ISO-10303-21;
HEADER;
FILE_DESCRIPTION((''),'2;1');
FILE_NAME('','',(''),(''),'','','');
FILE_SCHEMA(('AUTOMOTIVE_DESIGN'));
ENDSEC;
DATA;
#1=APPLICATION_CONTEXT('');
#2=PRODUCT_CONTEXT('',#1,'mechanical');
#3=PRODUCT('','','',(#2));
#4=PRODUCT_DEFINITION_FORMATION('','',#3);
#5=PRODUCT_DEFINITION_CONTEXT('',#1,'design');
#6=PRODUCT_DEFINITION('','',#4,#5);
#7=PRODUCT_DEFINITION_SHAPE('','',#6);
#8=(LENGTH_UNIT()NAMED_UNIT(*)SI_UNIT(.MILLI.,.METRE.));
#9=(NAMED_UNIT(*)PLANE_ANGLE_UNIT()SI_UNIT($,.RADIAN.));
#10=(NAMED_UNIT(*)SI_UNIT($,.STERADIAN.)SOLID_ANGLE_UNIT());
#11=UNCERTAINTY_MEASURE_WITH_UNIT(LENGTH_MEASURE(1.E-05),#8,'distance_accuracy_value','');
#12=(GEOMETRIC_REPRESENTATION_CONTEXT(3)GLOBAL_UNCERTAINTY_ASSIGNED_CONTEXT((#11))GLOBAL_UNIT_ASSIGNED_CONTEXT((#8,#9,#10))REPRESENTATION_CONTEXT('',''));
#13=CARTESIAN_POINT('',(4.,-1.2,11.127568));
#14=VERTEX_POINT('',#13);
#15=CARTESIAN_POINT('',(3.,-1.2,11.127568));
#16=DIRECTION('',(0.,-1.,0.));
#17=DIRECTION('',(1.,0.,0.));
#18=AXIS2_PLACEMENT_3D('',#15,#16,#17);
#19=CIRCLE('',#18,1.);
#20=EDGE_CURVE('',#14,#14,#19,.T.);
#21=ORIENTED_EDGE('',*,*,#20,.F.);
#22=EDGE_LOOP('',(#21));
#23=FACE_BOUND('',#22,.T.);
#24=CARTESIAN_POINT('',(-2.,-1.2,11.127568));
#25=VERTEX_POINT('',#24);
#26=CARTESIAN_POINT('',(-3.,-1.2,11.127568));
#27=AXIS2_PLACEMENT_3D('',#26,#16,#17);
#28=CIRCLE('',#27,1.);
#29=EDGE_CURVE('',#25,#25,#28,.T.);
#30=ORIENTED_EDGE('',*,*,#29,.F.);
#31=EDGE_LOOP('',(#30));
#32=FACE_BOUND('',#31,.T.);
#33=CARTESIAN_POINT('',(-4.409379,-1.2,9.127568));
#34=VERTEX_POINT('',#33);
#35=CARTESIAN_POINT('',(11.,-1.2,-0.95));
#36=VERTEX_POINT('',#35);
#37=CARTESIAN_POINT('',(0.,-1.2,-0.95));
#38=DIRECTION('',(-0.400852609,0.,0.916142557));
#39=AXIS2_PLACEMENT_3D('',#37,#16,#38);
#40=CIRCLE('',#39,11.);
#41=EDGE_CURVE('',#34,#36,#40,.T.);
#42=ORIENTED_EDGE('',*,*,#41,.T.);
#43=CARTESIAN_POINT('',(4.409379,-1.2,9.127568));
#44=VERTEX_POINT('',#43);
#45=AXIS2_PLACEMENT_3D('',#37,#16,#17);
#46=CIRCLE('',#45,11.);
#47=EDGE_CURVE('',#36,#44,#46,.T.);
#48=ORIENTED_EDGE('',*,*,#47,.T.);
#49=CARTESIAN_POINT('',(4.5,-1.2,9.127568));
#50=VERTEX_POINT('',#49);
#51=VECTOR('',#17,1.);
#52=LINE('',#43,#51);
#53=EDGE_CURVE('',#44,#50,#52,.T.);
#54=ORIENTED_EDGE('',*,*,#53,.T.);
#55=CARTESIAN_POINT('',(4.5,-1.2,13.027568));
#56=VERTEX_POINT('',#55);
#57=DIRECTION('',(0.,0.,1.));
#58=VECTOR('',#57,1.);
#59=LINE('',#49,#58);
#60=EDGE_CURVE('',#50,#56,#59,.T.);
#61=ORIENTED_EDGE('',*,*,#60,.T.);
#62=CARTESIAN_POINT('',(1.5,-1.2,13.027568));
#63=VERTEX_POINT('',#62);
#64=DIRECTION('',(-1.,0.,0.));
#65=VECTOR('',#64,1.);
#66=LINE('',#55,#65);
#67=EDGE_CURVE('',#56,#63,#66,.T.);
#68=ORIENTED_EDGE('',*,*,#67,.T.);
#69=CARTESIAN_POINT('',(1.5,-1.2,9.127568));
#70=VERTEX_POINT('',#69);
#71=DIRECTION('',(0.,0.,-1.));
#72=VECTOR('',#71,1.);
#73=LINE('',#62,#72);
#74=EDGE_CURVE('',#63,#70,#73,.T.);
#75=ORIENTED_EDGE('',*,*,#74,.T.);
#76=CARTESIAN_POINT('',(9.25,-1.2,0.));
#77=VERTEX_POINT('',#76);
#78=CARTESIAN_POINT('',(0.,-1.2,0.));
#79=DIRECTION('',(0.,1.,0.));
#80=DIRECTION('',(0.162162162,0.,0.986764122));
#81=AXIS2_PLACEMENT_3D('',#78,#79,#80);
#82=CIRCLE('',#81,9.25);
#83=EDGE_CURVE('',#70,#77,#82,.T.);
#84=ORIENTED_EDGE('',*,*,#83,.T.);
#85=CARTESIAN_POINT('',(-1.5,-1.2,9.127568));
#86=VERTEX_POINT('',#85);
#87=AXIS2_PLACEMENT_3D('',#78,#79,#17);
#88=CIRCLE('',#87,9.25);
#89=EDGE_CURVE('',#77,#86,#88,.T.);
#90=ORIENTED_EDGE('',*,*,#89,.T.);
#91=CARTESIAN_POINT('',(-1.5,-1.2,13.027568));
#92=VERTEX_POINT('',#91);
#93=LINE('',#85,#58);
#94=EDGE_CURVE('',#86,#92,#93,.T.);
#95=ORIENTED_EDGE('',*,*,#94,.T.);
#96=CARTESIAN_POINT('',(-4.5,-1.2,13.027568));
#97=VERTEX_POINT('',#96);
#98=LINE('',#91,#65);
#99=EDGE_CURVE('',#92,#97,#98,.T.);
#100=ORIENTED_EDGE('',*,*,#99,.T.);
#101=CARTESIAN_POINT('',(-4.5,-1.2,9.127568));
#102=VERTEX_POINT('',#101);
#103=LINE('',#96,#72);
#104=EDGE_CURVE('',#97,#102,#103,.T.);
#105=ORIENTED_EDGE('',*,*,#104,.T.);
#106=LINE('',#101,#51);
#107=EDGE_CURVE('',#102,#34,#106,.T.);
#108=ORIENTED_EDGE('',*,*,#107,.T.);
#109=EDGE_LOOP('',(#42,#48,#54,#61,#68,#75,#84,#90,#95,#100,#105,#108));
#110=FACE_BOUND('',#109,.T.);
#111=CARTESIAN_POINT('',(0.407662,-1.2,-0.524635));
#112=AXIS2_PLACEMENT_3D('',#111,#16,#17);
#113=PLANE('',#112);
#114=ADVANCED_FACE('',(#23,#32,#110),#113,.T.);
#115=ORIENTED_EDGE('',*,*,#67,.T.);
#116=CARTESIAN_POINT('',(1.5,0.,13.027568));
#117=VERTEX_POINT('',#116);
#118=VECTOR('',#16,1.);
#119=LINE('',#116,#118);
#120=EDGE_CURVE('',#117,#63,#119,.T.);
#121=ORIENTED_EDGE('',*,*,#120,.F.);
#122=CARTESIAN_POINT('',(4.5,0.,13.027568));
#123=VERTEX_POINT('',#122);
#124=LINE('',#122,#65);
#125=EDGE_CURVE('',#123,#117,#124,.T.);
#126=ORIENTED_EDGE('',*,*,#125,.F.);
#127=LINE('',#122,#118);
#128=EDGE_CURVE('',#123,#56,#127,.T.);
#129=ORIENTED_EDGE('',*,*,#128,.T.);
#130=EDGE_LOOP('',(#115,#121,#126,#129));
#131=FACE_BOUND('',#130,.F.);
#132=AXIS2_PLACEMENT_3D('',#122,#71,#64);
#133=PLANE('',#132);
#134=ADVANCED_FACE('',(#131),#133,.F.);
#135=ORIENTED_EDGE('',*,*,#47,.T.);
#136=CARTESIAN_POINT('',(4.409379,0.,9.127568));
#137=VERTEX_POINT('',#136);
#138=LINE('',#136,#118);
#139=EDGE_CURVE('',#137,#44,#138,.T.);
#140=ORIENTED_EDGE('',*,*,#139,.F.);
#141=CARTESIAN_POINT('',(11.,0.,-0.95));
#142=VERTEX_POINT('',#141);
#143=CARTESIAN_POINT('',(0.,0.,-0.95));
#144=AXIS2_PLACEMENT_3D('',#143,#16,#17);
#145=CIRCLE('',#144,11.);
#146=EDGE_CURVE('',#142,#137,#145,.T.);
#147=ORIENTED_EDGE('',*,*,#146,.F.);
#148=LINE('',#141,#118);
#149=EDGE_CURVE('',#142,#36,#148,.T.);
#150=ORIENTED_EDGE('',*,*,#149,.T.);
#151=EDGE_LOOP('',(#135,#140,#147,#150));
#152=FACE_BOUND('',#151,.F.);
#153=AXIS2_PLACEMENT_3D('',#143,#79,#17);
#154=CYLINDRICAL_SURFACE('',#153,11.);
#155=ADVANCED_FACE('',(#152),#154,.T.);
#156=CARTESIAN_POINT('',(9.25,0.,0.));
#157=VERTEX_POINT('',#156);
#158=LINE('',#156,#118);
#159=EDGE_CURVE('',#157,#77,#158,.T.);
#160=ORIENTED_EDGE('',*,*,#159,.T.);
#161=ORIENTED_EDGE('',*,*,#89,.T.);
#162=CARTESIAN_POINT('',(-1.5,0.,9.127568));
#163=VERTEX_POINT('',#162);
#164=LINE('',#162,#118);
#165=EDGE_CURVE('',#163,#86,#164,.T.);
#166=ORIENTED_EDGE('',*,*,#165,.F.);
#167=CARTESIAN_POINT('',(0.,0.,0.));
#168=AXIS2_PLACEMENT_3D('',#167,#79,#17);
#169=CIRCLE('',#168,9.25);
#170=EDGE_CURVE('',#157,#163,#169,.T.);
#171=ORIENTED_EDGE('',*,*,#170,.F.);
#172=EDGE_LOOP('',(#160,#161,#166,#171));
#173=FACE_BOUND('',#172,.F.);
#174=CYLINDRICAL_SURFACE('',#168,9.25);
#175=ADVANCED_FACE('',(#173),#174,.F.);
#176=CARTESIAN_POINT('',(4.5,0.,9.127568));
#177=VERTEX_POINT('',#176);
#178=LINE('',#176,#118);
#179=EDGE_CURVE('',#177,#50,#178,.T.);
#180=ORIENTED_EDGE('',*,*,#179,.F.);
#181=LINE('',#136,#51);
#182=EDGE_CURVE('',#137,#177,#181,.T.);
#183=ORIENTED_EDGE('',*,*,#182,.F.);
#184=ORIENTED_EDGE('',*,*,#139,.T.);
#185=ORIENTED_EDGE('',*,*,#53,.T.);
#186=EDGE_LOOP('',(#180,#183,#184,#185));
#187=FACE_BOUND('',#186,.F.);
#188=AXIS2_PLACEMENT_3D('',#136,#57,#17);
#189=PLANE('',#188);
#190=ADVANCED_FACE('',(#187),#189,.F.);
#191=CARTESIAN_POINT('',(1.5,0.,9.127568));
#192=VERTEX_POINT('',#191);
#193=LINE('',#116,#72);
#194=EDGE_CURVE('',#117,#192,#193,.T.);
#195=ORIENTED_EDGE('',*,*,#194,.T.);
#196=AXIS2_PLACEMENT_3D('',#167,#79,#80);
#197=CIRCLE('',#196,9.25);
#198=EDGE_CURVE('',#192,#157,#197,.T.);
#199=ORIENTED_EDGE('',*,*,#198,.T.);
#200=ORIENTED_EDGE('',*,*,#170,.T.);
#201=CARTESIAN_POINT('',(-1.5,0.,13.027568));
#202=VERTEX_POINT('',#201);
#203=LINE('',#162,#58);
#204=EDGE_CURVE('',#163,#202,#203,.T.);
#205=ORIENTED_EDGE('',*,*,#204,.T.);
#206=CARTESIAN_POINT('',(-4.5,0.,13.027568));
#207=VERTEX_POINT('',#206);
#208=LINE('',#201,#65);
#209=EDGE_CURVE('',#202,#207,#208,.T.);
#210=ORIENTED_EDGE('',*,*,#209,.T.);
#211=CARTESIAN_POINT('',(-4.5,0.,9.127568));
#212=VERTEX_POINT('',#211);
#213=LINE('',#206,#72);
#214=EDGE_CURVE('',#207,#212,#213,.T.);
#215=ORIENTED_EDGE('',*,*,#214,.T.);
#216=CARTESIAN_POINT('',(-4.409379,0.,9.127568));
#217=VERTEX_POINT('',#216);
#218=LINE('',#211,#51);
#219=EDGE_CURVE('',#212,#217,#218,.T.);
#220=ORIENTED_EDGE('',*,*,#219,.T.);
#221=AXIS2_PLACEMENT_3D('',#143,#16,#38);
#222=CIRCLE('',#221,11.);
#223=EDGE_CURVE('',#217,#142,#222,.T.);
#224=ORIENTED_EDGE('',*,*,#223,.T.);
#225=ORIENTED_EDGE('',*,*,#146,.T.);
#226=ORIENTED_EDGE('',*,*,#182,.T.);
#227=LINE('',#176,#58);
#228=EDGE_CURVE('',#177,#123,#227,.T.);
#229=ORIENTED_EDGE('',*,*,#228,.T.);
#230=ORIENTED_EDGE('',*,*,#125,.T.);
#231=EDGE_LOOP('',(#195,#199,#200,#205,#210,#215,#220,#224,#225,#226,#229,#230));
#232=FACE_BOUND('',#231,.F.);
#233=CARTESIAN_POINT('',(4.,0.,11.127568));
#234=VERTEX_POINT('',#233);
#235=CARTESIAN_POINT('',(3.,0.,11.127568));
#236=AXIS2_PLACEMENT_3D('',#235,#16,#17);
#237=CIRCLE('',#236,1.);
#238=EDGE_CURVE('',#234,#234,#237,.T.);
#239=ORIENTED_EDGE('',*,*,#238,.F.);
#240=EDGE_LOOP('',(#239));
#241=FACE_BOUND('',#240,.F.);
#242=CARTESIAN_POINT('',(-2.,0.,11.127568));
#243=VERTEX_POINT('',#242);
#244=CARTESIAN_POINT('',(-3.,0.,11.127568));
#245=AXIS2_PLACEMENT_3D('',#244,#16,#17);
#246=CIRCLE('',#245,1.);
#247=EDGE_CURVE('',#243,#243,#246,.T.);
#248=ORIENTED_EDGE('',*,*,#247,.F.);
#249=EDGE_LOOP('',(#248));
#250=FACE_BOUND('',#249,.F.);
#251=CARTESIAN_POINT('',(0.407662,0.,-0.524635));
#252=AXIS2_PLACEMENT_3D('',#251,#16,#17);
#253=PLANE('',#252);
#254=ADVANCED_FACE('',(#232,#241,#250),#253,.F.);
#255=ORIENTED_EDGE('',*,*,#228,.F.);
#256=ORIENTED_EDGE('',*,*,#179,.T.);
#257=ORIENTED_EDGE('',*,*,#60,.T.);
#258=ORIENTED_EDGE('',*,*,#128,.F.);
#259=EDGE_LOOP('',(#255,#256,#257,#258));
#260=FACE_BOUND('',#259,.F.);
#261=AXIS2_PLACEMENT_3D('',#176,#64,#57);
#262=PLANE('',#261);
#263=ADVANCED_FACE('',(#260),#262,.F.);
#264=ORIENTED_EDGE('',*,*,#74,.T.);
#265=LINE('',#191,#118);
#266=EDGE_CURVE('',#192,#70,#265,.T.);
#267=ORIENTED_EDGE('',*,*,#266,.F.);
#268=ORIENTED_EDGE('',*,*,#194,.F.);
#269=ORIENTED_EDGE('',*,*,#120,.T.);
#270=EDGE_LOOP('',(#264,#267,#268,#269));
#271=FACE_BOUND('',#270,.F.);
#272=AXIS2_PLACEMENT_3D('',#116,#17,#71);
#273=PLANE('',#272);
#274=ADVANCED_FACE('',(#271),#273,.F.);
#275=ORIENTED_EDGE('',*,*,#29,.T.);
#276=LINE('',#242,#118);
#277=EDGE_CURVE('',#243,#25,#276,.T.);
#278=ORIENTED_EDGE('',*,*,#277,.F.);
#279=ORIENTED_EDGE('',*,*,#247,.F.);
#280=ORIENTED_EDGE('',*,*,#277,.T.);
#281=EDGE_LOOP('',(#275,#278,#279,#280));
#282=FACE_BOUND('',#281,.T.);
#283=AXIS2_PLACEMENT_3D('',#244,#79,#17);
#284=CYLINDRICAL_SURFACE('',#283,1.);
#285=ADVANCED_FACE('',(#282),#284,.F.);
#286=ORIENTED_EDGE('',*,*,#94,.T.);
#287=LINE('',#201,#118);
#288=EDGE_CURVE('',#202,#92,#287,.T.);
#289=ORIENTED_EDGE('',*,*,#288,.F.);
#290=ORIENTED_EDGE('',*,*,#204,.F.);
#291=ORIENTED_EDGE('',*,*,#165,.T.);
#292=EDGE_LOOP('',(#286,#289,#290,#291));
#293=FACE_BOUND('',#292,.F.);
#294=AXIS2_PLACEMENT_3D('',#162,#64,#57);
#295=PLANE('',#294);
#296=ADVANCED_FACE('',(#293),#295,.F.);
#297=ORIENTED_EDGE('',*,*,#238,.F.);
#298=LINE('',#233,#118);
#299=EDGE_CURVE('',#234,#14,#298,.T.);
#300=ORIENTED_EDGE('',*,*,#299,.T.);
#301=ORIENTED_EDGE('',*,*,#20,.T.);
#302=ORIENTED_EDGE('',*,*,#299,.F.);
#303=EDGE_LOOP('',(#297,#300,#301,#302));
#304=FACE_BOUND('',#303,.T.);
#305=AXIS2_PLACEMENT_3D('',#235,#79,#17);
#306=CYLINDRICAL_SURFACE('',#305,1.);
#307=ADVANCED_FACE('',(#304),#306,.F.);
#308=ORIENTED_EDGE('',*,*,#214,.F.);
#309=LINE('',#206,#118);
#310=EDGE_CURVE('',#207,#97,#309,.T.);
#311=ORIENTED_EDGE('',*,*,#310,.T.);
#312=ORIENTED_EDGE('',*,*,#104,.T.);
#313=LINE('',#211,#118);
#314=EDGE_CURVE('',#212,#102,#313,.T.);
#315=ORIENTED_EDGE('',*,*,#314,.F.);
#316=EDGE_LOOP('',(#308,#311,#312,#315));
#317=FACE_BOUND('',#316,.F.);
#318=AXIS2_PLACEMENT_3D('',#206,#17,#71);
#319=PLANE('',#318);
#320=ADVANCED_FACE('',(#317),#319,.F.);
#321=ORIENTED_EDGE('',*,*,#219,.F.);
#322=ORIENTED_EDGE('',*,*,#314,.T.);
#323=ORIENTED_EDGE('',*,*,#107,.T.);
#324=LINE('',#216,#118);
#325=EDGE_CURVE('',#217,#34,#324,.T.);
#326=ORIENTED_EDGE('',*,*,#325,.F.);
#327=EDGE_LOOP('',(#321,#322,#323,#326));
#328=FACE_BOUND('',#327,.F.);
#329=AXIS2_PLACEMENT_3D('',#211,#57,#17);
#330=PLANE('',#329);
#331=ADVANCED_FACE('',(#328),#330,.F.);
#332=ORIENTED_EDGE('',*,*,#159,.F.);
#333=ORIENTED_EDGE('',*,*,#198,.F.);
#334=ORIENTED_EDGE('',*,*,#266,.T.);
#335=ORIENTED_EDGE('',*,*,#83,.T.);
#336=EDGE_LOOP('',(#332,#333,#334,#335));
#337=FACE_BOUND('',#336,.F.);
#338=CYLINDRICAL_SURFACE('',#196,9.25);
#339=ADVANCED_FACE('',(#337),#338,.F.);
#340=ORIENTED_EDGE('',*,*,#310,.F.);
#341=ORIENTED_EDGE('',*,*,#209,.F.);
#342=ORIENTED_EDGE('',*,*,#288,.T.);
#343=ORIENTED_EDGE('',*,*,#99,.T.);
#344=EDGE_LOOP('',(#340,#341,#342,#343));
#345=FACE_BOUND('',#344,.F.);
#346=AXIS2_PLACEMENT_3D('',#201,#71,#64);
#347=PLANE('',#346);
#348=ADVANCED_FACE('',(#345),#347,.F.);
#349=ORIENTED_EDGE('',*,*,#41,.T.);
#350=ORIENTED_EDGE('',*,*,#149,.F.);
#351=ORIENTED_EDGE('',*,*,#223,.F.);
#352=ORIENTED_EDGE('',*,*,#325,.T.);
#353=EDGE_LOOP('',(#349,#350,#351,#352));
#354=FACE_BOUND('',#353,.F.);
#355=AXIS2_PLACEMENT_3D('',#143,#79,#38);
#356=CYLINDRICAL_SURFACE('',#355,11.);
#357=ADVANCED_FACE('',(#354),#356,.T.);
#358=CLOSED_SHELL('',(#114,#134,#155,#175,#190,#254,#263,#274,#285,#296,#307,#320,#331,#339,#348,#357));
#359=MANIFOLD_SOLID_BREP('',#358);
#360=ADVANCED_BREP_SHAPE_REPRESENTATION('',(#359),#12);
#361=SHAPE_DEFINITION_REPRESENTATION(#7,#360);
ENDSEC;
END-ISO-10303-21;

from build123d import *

# Parameters (mm, degrees)
F0_R     = 1
F1_DEPTH = 1.2


with BuildPart() as f1:
    # F0 (on Front) → F1 (new body)
    with BuildSketch(Plane.XZ):
        with BuildLine():
            ThreePointArc((1.5, 9.1275681318), (7.0511523881, 5.9869650074), (9.25, 0))
            ThreePointArc((9.25, 0), (-5.9869650074, -7.0511523881), (-1.5, 9.1275681318))
            Line((-1.5, 9.1275681318), (-4.4093787034, 9.1275681318))
            ThreePointArc((-4.4093787034, 9.1275681318), (-6.0206658379, -10.156062289), (11, -0.95))
            ThreePointArc((11, -0.95), (9.206062289, 5.0706658379), (4.4093787034, 9.1275681318))
            Line((4.4093787034, 9.1275681318), (1.5, 9.1275681318))
        make_face()
        with BuildLine():
            Line((-4.5, 9.1275681318), (-4.4093787034, 9.1275681318))
            ThreePointArc((-4.4093787034, 9.1275681318), (-2.9829779875, 9.6378157486), (-1.5, 9.9472473589))
            Line((-1.5, 9.9472473589), (-1.5, 13.0275681318))
            Line((-1.5, 13.0275681318), (-4.5, 13.0275681318))
            Line((-4.5, 13.0275681318), (-4.5, 9.1275681318))
        make_face()
        with Locations((-3, 11.1275681318)):
            Circle(F0_R, mode=Mode.SUBTRACT)
        with BuildLine():
            Line((-4.4093787034, 9.1275681318), (-1.5, 9.1275681318))
            Line((-1.5, 9.1275681318), (-1.5, 9.9472473589))
            ThreePointArc((-1.5, 9.9472473589), (-2.9829779875, 9.6378157486), (-4.4093787034, 9.1275681318))
        make_face()
        with BuildLine():
            ThreePointArc((1.5, 9.9472473589), (2.9829779875, 9.6378157486), (4.4093787034, 9.1275681318))
            Line((4.4093787034, 9.1275681318), (4.5, 9.1275681318))
            Line((4.5, 9.1275681318), (4.5, 13.0275681318))
            Line((4.5, 13.0275681318), (1.5, 13.0275681318))
            Line((1.5, 13.0275681318), (1.5, 9.9472473589))
        make_face()
        with Locations((3, 11.1275681318)):
            Circle(F0_R, mode=Mode.SUBTRACT)
        with BuildLine():
            Line((1.5, 9.9472473589), (1.5, 9.1275681318))
            Line((1.5, 9.1275681318), (4.4093787034, 9.1275681318))
            ThreePointArc((4.4093787034, 9.1275681318), (2.9829779875, 9.6378157486), (1.5, 9.9472473589))
        make_face()
    extrude(amount=F1_DEPTH)


solid = f1.part
